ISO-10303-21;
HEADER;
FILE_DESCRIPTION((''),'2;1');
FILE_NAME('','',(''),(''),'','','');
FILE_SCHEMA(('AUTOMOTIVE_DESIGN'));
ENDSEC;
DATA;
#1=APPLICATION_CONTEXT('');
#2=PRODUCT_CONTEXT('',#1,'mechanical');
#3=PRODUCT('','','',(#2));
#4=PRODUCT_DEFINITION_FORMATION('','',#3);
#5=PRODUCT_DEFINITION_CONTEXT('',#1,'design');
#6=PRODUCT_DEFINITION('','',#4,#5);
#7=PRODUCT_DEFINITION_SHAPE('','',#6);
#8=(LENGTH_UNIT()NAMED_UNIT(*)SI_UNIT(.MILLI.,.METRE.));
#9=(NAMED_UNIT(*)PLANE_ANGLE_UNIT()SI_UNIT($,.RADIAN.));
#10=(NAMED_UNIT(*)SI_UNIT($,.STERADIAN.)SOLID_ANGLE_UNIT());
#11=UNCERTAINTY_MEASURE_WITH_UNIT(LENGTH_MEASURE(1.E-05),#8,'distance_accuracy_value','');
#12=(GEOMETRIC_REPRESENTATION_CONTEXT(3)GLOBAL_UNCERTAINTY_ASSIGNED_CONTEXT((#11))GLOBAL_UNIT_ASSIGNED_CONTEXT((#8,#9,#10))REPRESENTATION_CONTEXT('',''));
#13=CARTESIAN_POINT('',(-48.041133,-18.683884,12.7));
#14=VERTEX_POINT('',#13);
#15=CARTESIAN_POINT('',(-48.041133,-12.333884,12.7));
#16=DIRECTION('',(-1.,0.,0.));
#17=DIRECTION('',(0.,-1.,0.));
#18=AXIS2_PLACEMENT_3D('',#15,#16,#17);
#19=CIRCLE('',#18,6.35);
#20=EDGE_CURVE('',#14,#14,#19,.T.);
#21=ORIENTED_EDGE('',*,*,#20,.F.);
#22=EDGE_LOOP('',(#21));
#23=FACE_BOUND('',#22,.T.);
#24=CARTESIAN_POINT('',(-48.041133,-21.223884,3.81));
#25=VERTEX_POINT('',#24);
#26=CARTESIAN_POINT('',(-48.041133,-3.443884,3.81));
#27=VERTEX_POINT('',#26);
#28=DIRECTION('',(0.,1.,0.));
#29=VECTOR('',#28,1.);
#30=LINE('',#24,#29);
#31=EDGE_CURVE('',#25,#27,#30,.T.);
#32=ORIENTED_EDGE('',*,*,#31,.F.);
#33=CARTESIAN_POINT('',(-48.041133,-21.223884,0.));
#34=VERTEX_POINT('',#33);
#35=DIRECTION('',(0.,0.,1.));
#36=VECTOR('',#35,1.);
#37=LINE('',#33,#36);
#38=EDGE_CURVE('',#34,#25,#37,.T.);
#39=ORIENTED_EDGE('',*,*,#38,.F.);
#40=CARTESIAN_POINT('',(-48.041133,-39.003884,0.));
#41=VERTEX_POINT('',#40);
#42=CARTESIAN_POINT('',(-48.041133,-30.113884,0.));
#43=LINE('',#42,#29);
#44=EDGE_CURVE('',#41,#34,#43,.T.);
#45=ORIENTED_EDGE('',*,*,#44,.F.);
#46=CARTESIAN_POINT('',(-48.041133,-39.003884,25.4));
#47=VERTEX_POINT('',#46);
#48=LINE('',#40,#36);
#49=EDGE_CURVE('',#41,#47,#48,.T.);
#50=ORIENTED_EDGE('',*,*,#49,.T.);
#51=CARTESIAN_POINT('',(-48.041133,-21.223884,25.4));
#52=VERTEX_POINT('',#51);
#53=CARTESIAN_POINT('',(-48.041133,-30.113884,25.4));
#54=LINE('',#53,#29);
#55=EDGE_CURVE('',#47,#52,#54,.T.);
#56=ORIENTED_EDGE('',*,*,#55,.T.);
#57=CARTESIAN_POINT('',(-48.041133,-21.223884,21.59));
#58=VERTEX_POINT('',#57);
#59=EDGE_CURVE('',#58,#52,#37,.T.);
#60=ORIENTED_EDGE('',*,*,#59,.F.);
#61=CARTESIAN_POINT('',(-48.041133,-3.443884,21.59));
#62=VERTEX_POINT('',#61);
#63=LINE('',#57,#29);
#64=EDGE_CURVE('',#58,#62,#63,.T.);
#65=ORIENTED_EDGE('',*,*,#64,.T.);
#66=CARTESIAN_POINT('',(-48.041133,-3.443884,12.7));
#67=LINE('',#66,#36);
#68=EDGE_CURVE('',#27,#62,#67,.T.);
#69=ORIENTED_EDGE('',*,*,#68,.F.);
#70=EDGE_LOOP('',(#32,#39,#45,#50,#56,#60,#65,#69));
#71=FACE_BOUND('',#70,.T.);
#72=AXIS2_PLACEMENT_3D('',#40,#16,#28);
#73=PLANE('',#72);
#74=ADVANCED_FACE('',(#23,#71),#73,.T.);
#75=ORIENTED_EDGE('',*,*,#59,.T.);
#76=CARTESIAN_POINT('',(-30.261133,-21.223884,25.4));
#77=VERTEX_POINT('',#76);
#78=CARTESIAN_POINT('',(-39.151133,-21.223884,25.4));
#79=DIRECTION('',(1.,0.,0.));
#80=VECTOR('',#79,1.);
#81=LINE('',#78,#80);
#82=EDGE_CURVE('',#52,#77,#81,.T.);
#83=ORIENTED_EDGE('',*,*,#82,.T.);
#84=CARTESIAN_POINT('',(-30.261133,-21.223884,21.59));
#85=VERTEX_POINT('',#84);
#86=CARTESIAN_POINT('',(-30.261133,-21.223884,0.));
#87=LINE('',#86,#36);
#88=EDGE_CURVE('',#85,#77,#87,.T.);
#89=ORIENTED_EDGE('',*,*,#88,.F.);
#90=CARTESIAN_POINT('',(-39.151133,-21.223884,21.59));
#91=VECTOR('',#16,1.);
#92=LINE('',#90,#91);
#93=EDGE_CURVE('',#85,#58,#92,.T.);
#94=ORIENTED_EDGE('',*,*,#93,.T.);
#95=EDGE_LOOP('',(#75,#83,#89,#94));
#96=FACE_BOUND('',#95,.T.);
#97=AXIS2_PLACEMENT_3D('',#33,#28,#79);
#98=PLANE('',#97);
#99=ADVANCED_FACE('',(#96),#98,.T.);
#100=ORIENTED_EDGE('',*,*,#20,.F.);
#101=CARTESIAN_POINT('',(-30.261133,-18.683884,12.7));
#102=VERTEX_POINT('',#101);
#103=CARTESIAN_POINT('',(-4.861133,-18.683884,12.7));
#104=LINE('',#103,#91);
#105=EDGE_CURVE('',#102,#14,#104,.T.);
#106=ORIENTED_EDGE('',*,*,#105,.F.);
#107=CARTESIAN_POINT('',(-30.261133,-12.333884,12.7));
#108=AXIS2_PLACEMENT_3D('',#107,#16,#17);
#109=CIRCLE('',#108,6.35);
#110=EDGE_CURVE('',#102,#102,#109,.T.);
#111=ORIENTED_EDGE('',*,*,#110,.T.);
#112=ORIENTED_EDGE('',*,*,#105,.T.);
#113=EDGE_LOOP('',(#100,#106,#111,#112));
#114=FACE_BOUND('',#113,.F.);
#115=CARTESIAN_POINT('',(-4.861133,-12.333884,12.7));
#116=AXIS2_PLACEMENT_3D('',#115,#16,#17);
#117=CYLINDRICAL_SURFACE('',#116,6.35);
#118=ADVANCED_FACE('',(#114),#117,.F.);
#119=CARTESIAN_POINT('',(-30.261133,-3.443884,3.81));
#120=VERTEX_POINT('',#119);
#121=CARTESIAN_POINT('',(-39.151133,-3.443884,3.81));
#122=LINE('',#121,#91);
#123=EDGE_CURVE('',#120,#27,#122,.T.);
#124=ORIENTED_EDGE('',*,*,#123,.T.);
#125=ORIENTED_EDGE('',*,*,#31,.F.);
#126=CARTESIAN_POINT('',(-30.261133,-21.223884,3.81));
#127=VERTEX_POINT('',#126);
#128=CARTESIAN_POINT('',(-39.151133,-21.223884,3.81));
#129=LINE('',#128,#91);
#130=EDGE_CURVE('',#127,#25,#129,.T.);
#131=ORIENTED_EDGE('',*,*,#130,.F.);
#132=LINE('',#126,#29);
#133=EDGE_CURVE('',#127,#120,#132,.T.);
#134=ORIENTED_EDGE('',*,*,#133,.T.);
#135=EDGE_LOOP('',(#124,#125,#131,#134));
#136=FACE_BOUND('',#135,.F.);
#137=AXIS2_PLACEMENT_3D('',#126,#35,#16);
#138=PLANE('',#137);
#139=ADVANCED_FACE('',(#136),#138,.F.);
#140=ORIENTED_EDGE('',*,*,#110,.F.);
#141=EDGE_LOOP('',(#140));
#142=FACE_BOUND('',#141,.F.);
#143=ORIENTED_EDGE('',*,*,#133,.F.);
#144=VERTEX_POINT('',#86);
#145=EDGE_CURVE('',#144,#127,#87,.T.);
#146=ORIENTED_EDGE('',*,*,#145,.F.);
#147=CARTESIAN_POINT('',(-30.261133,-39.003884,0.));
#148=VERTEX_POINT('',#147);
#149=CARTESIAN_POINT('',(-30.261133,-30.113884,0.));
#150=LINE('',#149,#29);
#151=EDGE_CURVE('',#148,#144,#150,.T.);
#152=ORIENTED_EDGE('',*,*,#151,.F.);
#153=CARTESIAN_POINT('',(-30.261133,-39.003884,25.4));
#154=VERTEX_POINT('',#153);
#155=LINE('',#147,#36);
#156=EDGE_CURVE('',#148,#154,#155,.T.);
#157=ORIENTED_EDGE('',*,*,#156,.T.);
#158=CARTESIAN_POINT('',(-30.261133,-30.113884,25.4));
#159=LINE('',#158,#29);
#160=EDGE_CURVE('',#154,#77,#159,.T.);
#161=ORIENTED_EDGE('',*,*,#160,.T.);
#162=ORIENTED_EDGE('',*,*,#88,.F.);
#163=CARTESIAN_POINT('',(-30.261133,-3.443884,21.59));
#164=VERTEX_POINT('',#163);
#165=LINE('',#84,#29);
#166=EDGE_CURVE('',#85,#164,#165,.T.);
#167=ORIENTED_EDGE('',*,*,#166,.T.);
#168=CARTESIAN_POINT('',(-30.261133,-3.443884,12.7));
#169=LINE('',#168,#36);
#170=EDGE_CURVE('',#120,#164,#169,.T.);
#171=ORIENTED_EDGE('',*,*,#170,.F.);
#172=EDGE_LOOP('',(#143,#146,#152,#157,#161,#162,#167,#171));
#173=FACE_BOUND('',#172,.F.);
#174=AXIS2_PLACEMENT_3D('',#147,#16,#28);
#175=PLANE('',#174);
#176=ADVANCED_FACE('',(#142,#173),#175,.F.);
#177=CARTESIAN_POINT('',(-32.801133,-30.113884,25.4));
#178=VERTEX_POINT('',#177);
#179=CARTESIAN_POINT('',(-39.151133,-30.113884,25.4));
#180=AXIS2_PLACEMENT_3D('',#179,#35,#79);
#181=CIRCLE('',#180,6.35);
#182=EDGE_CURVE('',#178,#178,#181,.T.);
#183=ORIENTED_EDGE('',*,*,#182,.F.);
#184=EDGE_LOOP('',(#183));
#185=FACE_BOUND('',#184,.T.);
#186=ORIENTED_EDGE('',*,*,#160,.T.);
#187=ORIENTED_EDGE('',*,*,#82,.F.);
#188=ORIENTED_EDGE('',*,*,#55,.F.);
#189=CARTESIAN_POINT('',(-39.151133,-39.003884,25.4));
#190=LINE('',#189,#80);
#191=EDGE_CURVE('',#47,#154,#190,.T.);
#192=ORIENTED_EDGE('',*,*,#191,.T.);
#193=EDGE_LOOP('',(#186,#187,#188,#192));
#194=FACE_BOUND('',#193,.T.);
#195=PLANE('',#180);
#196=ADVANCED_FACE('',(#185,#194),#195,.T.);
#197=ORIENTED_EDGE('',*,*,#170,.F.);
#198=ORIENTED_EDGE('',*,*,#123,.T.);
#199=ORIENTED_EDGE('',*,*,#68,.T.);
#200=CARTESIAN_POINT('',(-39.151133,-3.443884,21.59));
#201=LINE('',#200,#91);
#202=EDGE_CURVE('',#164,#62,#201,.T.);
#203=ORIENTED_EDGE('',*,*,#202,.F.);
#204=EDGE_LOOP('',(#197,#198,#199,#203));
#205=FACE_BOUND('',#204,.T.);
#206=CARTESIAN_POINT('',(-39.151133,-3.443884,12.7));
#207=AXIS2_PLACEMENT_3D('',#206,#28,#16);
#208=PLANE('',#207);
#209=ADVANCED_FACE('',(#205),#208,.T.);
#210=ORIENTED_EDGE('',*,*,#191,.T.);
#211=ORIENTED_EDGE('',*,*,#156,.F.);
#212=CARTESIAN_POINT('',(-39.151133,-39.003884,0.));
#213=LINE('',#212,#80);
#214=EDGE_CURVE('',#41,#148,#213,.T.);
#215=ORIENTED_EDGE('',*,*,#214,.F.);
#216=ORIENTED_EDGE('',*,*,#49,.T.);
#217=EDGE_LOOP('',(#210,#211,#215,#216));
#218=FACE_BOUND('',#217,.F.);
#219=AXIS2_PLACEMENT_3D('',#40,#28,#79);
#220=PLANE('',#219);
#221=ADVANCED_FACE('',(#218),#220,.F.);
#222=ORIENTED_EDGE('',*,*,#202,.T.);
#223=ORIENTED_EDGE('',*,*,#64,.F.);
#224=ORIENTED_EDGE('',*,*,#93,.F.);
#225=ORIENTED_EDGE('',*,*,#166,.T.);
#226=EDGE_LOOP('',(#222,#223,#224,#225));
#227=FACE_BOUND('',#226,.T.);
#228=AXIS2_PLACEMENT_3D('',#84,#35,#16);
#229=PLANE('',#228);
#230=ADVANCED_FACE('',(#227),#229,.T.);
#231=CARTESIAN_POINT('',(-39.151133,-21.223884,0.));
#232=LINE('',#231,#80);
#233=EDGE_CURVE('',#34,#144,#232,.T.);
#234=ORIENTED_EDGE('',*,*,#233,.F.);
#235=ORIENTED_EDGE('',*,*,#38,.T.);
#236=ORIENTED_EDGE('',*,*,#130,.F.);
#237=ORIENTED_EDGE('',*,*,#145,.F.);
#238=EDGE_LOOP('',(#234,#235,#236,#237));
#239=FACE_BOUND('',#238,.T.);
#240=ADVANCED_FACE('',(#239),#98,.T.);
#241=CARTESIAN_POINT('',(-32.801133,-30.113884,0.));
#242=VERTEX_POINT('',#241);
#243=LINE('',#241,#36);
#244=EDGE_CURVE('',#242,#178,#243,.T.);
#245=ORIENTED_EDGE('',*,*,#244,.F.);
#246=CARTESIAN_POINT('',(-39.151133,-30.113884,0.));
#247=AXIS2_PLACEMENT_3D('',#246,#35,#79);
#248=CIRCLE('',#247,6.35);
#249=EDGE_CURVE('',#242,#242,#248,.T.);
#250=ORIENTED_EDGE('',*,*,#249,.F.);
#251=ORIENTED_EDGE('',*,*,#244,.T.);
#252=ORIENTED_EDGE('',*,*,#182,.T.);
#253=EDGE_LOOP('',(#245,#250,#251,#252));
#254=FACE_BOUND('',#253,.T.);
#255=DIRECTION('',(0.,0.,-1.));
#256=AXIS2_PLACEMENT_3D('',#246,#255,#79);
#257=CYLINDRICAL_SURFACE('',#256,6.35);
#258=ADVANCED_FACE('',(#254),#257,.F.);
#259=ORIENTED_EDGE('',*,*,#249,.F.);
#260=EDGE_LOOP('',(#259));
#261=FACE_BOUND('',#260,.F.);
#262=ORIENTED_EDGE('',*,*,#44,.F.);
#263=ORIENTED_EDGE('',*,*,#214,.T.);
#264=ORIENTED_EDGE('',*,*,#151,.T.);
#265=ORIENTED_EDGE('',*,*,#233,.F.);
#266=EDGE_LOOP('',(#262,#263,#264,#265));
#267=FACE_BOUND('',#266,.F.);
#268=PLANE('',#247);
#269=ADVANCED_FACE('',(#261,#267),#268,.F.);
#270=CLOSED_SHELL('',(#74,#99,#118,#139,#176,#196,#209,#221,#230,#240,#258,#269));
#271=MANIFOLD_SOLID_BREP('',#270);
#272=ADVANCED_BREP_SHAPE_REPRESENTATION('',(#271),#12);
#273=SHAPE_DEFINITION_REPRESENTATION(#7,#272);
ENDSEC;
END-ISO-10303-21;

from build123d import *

# Parameters (mm, degrees)
F0_W     = 17.78
F0_H     = 17.78
F0_R     = 6.35
F1_DEPTH = 25.4
F2_W     = 17.78
F2_H     = 17.78
F3_DEPTH = 17.78
F5_D     = 12.7
F5_DEPTH = 25.4


with BuildPart() as f1:
    # F0 (on Top) → F1 (new body)
    with BuildSketch(Plane.XY):
        with Locations((-39.151133, -30.113884)):
            Rectangle(F0_W, F0_H)
        with Locations((-39.151133, -30.113884)):
            Circle(F0_R, mode=Mode.SUBTRACT)
    extrude(amount=F1_DEPTH)

    # F2 (on face) → F3 (join)
    with BuildSketch(Plane(origin=(0, -21.223884, 0), x_dir=(-1, 0, 0), z_dir=(0, 1, 0))):
        with Locations((39.151133, 12.7)):
            Rectangle(F2_W, F2_H)
    extrude(amount=F3_DEPTH)

    # F5
    with Locations(Plane.YZ.offset(-30.261133)):
        with Locations((-12.333884, 12.7)):
            Hole(F5_D / 2, depth=F5_DEPTH)


solid = f1.part
